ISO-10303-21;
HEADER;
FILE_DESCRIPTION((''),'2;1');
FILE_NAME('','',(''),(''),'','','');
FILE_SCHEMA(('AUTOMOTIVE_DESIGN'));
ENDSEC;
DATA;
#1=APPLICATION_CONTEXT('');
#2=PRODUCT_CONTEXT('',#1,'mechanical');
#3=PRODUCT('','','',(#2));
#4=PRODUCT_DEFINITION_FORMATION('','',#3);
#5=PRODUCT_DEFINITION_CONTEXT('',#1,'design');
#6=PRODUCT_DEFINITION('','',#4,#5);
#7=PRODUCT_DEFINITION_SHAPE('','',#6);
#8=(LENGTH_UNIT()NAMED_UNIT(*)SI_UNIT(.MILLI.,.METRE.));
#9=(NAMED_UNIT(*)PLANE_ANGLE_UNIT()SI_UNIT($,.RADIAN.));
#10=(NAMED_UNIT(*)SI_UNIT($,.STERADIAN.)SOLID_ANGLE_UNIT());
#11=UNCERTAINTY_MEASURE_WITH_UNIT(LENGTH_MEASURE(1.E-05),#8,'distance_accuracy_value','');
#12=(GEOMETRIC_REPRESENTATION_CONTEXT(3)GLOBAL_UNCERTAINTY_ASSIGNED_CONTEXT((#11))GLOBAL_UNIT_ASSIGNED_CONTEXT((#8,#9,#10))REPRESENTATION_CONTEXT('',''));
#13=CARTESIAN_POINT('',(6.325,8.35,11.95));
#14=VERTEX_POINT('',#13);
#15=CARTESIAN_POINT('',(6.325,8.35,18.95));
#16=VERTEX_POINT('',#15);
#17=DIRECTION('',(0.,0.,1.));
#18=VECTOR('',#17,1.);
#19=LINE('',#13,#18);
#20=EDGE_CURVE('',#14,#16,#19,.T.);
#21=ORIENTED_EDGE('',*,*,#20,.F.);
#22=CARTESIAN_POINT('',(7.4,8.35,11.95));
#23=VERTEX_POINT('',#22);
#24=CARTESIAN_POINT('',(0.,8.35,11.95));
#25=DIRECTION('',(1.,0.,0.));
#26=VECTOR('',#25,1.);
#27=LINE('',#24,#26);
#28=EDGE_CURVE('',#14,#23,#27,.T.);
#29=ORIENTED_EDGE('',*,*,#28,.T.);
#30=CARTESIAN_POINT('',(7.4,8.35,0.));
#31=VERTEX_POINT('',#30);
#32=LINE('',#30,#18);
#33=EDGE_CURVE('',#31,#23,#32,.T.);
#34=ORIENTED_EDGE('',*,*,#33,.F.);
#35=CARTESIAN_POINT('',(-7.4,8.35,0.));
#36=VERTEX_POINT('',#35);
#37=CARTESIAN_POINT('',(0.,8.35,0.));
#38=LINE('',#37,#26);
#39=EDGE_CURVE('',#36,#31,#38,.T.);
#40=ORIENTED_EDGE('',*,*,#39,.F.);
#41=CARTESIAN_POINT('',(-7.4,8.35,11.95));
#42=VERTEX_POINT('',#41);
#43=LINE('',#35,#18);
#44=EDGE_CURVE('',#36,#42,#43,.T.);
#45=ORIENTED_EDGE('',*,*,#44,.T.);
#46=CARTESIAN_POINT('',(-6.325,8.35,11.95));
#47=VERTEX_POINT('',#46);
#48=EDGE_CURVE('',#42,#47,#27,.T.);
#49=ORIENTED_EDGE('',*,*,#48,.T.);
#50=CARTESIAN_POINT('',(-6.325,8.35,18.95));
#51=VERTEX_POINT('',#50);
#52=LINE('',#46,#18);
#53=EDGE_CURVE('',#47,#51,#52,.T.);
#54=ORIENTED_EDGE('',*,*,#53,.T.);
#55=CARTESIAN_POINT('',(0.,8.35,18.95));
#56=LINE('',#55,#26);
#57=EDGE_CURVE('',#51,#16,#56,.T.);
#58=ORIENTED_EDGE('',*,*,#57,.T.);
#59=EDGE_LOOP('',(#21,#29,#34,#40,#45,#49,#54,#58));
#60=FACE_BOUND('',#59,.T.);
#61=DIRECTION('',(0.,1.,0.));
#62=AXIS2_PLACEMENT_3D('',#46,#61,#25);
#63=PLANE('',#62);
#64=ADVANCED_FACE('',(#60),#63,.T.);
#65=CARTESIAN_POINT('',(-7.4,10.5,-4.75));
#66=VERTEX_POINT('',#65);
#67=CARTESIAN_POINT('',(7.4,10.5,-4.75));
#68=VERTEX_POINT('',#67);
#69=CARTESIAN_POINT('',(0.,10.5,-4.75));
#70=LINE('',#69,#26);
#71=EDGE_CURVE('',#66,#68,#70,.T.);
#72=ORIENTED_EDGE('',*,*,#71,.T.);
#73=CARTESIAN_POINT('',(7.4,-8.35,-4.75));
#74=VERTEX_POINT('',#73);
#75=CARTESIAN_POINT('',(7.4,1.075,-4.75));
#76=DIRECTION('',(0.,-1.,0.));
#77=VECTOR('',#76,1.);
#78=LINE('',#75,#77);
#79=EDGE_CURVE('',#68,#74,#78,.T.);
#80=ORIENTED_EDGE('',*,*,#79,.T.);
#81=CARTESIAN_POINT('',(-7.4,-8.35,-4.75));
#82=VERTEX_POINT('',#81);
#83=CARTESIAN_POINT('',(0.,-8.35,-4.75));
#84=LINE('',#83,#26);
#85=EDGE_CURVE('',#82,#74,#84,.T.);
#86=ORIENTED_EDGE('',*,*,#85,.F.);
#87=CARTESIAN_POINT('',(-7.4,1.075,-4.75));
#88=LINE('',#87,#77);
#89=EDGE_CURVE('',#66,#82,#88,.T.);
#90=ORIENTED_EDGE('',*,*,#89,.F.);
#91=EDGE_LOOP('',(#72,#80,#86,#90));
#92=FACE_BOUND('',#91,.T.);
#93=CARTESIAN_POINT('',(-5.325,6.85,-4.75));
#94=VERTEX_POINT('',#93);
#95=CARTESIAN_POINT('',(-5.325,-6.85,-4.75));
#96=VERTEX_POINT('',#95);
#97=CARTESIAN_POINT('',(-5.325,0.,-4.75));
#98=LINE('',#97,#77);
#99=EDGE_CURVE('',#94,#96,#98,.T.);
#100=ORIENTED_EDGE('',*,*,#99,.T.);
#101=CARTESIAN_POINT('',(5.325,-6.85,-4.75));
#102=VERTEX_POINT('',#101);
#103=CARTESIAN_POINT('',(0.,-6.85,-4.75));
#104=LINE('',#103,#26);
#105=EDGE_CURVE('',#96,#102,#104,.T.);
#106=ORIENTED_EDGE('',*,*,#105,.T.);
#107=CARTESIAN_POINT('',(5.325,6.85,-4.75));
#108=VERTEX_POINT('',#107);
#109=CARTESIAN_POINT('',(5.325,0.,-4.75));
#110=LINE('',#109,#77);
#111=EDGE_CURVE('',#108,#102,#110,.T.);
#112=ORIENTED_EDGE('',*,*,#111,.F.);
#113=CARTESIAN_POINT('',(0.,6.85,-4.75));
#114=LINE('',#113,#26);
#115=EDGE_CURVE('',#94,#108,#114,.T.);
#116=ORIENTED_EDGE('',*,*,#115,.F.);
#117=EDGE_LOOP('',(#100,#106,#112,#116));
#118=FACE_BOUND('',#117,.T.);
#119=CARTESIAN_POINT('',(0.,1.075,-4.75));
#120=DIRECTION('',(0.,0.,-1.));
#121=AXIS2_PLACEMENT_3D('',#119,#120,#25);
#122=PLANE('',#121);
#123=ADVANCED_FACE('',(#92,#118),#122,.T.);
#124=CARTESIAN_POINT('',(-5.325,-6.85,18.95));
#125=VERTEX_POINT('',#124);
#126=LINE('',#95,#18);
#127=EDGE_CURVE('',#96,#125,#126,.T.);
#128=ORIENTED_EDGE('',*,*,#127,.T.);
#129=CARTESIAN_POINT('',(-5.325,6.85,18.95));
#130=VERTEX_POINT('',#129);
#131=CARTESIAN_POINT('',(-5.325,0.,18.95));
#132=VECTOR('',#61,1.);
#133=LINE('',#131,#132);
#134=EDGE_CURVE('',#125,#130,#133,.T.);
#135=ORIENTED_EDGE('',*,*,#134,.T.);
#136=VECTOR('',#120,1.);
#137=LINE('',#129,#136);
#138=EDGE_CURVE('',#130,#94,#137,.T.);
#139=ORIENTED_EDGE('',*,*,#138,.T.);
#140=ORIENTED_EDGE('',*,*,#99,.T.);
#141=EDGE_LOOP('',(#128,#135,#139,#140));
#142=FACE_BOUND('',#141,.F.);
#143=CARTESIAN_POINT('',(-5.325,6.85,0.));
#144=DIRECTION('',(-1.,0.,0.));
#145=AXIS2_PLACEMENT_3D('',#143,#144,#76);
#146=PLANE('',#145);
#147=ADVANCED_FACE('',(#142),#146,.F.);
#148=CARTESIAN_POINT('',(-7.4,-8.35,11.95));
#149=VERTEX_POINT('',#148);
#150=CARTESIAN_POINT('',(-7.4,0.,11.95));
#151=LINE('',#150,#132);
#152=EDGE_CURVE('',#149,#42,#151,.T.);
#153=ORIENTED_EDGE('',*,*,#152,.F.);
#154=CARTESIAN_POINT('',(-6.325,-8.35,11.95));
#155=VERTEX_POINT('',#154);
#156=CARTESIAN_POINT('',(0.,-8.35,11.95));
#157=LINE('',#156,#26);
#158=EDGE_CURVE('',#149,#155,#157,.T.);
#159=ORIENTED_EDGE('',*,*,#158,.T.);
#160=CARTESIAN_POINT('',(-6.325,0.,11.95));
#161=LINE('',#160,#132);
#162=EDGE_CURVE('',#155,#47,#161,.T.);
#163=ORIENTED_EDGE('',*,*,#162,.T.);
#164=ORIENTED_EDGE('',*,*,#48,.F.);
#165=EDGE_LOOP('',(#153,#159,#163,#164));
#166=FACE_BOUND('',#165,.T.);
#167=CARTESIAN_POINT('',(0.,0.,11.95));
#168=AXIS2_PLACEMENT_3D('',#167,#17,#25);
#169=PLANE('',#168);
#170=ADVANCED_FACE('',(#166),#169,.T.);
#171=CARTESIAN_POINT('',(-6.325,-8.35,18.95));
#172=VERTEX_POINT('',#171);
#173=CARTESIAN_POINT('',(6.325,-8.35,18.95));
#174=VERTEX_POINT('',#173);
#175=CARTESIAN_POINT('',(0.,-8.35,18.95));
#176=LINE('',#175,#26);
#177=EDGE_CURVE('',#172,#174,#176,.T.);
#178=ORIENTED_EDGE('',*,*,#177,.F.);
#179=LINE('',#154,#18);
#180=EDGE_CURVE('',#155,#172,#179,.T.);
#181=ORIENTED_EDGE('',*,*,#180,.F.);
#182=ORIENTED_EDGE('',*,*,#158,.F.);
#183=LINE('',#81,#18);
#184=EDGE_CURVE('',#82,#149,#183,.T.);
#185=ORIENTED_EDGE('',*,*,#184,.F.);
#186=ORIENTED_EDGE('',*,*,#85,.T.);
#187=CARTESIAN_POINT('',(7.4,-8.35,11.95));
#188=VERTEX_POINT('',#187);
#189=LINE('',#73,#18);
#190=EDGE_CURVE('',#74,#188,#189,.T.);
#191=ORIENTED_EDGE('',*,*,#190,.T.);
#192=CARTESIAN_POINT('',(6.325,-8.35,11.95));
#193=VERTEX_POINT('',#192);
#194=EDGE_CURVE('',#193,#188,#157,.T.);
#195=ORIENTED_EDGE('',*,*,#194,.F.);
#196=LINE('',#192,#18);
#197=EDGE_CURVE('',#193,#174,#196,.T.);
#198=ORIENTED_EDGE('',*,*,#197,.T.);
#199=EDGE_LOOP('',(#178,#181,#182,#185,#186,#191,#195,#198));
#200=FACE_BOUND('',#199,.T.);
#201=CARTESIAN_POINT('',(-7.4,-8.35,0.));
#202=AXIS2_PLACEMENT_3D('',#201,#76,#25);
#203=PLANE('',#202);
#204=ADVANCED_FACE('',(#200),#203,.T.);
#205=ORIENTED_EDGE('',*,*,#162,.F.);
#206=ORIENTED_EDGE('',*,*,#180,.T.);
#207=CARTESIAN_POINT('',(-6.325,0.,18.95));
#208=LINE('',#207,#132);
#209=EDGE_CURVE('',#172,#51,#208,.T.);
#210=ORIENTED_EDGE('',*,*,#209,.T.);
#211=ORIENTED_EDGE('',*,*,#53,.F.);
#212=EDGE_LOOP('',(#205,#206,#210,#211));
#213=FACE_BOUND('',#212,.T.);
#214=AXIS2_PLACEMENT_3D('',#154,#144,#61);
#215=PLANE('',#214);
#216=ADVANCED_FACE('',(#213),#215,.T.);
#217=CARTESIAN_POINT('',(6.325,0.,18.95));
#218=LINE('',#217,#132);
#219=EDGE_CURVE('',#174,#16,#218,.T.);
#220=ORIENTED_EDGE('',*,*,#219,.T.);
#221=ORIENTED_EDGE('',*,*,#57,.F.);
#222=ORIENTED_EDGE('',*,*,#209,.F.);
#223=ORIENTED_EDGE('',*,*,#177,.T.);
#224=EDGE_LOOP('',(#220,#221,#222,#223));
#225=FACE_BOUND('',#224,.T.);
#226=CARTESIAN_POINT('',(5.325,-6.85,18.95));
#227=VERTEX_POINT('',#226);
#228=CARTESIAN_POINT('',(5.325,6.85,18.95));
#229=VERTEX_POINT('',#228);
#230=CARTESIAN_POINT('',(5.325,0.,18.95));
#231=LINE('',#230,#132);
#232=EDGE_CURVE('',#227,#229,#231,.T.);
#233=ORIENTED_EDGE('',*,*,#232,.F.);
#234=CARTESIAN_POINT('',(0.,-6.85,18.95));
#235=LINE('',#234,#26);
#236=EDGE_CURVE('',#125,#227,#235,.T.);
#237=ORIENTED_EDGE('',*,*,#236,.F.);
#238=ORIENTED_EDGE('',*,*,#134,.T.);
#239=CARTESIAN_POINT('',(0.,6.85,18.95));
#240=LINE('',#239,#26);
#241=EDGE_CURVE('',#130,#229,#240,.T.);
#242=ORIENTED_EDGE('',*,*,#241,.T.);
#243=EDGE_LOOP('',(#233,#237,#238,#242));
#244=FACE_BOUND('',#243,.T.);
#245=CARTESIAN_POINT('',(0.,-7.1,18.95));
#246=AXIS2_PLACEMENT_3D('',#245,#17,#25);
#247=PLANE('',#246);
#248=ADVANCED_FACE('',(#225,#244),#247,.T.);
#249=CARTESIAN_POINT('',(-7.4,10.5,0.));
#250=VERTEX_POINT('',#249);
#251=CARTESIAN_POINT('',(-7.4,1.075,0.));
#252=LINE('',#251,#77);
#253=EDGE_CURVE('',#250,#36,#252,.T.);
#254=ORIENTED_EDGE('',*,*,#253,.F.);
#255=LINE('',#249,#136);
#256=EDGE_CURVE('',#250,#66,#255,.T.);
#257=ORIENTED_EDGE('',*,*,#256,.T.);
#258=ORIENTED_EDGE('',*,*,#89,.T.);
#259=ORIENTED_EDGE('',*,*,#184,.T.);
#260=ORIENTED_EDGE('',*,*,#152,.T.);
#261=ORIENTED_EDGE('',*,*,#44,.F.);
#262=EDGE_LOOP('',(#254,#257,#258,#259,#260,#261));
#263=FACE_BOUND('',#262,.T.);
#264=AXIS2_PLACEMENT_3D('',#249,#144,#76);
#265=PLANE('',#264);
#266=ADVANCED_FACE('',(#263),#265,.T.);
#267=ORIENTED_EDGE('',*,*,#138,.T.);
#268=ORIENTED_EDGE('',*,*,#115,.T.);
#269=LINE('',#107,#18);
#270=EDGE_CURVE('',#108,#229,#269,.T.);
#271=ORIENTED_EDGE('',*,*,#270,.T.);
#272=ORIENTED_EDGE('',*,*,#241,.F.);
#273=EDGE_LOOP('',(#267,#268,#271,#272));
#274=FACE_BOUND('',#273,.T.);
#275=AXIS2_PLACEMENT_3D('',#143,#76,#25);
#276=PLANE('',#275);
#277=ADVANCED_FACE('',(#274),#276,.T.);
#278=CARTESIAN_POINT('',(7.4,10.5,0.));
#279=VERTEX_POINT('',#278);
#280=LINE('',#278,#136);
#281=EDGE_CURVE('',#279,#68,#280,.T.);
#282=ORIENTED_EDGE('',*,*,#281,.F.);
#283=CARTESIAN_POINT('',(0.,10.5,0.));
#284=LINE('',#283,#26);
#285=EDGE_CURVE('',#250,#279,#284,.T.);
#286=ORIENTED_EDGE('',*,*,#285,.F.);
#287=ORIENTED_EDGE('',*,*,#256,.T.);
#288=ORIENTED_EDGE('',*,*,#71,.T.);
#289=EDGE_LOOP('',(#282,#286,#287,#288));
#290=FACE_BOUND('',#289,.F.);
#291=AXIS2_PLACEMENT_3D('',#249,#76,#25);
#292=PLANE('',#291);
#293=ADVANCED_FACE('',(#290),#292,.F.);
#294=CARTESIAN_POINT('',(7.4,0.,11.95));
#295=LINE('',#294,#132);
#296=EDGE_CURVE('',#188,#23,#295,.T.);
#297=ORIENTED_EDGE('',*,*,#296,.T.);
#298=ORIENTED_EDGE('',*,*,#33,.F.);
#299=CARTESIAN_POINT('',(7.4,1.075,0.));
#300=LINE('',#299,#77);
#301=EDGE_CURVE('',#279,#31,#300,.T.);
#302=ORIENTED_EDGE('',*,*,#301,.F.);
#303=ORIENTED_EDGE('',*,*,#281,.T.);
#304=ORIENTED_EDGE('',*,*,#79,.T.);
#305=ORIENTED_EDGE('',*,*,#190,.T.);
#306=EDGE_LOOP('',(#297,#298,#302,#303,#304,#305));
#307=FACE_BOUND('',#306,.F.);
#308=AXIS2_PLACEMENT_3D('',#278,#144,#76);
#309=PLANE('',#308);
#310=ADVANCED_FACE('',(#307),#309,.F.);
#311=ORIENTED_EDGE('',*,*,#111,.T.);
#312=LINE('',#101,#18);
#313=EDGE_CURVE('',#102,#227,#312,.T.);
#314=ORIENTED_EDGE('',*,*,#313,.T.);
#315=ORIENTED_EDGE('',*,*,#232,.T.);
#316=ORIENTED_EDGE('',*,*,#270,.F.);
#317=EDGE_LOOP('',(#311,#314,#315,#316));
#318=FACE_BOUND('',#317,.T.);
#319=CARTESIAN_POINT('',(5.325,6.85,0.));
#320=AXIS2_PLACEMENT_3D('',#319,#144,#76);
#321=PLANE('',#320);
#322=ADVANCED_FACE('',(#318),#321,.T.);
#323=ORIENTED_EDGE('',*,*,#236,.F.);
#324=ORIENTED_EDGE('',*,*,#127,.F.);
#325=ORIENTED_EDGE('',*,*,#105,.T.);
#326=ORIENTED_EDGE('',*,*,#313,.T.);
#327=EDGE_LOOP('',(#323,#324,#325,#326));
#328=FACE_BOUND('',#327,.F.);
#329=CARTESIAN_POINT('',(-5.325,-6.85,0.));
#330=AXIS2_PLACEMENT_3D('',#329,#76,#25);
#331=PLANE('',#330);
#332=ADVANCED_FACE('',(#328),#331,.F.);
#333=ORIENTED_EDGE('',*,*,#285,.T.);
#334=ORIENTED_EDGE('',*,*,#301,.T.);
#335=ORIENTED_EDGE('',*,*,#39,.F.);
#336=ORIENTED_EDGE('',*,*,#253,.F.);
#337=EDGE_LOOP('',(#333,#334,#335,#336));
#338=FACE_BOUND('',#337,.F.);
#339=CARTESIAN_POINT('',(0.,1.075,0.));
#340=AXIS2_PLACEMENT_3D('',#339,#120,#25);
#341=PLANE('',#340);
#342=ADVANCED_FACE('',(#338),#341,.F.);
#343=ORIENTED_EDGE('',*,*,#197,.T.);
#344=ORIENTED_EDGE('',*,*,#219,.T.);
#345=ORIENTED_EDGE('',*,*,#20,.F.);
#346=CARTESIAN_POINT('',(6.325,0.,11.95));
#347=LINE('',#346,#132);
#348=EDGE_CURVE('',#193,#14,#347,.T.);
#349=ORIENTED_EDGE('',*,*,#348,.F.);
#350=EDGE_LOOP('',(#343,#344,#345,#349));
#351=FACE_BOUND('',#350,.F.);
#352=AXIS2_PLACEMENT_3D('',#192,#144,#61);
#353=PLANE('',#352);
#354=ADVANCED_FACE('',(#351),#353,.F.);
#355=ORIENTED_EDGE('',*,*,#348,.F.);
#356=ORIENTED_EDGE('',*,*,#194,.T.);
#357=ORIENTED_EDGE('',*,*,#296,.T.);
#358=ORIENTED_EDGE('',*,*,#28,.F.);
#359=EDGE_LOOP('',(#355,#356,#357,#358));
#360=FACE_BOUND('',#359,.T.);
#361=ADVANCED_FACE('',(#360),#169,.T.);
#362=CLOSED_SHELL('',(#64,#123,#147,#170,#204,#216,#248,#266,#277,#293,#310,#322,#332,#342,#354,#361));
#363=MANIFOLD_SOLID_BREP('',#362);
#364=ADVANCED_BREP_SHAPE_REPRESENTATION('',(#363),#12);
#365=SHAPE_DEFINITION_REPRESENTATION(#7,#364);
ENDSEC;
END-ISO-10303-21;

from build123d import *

# Parameters (mm, degrees)
F0_W      = 14.8
F0_H      = 16.7
F0_W_2    = 11.8
F0_H_2    = 13.7
F1_DEPTH  = 11.95
F2_W      = 12.65
F2_H      = 16.7
F2_W_2    = 10.65
F2_H_2    = 14.7
F3_DEPTH  = 7
F4_W      = 0.575
F4_H      = 13.7
F5_DEPTH  = 11.95
F6_W      = 0.575
F6_H      = 13.7
F7_DEPTH  = 11.95
F8_W      = 10.65
F8_H      = 0.5
F9_DEPTH  = 7
F10_W     = 10.65
F10_H     = 0.5
F11_DEPTH = 7
F12_W     = 14.8
F12_H     = 18.85
F12_W_2   = 10.65
F12_H_2   = 13.7
F13_DEPTH = 4.75


with BuildPart() as f1:
    # F0 (on Top) → F1 (new body)
    with BuildSketch(Plane.XY):
        Rectangle(F0_W, F0_H)
        Rectangle(F0_W_2, F0_H_2, mode=Mode.SUBTRACT)
    extrude(amount=F1_DEPTH)

    # F2 (on face) → F3 (join)
    with BuildSketch(Plane.XY.offset(11.95)):
        Rectangle(F2_W, F2_H)
        Rectangle(F2_W_2, F2_H_2, mode=Mode.SUBTRACT)
    extrude(amount=F3_DEPTH)

    # F4 (on face) → F5 (join, through all)
    with BuildSketch(Plane(origin=(0, 0, 11.95), x_dir=(1, 0, 0), z_dir=(0, 0, -1))):
        with Locations((-5.6125, 0)):
            Rectangle(F4_W, F4_H)
    extrude(amount=F5_DEPTH)

    # F6 (on face) → F7 (join, through all)
    with BuildSketch(Plane(origin=(0, 0, 11.95), x_dir=(1, 0, 0), z_dir=(0, 0, -1))):
        with Locations((5.6125, 0)):
            Rectangle(F6_W, F6_H)
    extrude(amount=F7_DEPTH)

    # F8 (on face) → F9 (join, through all)
    with BuildSketch(Plane.XY.offset(11.95)):
        with Locations((0, 7.1)):
            Rectangle(F8_W, F8_H)
    extrude(amount=F9_DEPTH)

    # F10 (on face) → F11 (join, through all)
    with BuildSketch(Plane.XY.offset(11.95)):
        with Locations((0, -7.1)):
            Rectangle(F10_W, F10_H)
    extrude(amount=F11_DEPTH)

    # F12 (on face) → F13 (join)
    with BuildSketch(Plane(origin=(0, 0, 0), x_dir=(1, 0, 0), z_dir=(0, 0, -1))):
        with Locations((0, -1.075)):
            Rectangle(F12_W, F12_H)
        Rectangle(F12_W_2, F12_H_2, mode=Mode.SUBTRACT)
    extrude(amount=F13_DEPTH)


solid = f1.part
